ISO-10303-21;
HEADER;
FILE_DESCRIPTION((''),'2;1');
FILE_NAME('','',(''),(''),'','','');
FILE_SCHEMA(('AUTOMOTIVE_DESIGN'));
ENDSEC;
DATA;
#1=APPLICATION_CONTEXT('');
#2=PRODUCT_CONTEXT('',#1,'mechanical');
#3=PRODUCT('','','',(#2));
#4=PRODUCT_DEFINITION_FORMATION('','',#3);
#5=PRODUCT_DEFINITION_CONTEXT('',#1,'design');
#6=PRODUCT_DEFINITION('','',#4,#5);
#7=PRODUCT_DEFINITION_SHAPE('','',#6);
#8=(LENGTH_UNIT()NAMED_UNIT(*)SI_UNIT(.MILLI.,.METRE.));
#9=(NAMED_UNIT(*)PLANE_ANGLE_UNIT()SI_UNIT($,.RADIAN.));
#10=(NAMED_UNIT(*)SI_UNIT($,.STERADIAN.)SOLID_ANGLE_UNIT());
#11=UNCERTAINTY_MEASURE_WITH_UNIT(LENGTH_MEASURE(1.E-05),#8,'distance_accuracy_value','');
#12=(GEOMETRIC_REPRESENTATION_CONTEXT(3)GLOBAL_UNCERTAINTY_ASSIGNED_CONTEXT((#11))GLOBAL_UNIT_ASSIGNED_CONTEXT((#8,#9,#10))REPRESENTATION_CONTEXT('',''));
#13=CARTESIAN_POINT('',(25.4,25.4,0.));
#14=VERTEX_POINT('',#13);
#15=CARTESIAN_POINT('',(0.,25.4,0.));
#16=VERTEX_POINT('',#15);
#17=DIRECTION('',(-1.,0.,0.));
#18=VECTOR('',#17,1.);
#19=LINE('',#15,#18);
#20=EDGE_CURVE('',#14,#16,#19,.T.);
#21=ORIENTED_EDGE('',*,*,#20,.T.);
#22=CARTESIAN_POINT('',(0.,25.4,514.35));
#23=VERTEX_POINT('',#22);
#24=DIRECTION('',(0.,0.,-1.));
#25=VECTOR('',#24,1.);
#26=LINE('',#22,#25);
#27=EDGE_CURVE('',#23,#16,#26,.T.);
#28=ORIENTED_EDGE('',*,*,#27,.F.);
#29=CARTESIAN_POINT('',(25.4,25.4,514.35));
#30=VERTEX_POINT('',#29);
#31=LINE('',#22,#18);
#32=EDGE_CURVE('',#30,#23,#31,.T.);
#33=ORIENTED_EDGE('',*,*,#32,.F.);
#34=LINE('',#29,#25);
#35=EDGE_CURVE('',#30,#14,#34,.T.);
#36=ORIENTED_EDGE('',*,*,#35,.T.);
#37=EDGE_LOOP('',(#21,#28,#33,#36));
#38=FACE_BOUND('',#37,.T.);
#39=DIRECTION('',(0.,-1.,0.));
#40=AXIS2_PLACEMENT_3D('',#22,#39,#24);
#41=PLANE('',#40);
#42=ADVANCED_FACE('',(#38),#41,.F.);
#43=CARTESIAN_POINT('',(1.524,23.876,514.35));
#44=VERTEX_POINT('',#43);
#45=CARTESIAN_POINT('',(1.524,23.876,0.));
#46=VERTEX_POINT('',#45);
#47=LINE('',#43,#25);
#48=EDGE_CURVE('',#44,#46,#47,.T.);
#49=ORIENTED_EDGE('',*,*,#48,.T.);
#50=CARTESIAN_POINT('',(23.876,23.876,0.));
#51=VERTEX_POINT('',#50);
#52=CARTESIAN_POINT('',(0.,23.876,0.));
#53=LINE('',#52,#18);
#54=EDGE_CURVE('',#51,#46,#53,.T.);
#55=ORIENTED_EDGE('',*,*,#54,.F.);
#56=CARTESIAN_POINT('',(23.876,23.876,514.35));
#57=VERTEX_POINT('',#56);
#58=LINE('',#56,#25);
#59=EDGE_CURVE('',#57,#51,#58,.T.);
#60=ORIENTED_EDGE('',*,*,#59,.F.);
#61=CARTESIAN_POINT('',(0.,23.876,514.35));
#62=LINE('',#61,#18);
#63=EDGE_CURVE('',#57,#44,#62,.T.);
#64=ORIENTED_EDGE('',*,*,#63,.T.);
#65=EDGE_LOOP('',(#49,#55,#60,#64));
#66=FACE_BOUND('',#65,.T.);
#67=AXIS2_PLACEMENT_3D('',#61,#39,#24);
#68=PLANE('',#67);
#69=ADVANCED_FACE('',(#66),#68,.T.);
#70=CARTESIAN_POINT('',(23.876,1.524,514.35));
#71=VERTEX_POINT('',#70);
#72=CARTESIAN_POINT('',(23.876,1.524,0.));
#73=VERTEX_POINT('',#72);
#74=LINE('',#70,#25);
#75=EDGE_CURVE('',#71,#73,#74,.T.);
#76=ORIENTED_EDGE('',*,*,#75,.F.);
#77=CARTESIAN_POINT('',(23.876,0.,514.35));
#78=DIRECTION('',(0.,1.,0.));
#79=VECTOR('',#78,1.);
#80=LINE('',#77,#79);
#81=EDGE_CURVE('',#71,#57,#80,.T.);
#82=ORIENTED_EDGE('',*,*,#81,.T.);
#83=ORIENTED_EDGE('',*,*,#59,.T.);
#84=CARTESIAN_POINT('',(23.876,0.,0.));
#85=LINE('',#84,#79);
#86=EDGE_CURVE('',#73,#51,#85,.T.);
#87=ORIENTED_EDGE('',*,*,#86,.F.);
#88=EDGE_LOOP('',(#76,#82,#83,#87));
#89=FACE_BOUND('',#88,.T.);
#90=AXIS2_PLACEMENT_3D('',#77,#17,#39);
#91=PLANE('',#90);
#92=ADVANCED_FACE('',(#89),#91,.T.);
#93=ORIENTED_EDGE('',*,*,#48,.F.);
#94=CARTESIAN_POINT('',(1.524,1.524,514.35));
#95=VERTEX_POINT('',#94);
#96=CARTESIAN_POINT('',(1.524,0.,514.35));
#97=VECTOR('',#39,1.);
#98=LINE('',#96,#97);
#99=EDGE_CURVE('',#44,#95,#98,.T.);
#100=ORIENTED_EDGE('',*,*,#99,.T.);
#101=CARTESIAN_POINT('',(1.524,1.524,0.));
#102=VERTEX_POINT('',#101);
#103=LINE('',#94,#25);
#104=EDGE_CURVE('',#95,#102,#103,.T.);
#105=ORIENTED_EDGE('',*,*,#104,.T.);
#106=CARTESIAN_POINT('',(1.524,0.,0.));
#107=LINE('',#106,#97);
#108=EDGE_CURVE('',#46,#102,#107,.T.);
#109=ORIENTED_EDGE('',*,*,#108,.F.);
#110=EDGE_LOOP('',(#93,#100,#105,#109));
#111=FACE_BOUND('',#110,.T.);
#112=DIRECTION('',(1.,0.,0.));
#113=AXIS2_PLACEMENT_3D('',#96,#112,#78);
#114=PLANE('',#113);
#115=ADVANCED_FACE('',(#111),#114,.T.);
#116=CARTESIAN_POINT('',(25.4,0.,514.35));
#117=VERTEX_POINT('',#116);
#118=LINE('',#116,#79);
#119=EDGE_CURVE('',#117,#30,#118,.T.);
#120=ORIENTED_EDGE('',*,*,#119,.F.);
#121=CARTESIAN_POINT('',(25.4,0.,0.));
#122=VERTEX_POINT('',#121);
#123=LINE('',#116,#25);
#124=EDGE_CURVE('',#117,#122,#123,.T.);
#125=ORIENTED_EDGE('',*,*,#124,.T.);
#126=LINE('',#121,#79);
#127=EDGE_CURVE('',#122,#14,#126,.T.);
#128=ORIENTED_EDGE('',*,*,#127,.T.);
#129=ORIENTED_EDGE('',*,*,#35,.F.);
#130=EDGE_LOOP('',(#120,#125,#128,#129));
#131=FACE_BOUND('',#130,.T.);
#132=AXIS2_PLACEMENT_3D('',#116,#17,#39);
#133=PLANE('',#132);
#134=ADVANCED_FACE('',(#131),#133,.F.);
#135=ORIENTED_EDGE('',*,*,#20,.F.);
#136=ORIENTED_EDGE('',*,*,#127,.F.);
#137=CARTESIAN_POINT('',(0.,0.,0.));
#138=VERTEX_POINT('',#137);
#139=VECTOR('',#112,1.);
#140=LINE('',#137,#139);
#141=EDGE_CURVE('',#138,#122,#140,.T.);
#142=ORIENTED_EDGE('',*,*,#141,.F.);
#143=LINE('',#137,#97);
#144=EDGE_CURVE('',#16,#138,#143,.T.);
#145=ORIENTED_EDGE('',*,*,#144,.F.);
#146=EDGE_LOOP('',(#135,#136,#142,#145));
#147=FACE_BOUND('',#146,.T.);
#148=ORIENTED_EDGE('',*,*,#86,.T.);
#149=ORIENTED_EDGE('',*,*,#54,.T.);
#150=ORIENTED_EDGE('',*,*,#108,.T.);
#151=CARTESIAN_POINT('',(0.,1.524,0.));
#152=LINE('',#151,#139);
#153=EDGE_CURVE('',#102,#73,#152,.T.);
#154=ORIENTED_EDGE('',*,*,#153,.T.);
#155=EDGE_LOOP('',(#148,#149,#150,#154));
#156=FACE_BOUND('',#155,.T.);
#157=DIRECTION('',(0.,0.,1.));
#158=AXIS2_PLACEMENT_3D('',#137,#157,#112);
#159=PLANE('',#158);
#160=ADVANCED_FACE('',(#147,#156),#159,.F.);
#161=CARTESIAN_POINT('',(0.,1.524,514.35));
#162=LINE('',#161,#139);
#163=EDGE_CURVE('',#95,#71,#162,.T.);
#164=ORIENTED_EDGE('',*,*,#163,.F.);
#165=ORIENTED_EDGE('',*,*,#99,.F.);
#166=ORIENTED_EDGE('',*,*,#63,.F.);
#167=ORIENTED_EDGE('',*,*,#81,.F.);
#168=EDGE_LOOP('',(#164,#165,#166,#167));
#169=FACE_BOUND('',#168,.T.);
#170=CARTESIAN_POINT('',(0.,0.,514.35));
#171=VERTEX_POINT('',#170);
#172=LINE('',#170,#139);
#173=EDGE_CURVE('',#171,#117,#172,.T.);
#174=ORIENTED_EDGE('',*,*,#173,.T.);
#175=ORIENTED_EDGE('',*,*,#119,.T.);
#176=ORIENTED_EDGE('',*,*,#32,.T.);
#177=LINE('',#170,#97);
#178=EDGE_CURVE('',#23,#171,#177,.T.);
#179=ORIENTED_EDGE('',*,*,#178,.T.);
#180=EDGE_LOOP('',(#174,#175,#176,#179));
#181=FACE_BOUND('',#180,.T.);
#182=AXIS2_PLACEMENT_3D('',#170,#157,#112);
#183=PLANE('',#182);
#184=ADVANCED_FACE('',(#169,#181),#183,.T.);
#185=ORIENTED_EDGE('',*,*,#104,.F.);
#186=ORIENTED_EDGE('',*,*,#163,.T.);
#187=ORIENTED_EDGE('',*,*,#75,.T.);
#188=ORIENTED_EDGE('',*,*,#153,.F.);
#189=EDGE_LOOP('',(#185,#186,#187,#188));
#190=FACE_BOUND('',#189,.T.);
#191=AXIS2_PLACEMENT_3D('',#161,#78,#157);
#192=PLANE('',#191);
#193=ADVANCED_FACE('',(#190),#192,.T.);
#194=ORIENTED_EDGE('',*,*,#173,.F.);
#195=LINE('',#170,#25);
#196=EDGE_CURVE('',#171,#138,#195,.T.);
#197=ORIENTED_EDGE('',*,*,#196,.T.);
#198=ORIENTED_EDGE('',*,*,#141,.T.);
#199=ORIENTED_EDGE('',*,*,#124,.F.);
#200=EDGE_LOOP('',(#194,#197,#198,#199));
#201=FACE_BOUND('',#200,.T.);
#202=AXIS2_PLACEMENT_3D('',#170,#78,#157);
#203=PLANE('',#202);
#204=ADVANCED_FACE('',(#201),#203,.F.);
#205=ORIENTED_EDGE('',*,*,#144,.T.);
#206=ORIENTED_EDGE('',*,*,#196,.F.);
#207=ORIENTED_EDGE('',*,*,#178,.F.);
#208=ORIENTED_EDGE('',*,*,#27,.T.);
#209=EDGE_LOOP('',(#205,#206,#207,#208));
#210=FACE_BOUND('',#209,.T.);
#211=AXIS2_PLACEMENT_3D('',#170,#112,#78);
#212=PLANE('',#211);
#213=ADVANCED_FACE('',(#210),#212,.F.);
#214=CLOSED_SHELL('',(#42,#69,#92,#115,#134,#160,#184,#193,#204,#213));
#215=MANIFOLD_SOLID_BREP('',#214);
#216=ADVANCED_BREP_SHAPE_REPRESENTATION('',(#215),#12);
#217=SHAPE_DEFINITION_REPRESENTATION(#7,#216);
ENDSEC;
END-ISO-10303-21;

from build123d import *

# Parameters (mm, degrees)
SKETCH1_W           = 25.4
SKETCH1_H           = 25.4
SKETCH1_W_2         = 22.352
SKETCH1_H_2         = 22.352
EXTRUDE_THIN1_DEPTH = 514.35


with BuildPart() as part:
    # Sketch1 → Extrude-Thin1 (new body)
    with BuildSketch(Plane.XY):
        with Locations((12.7, 12.7)):
            Rectangle(SKETCH1_W, SKETCH1_H)
        with Locations((12.7, 12.7)):
            Rectangle(SKETCH1_W_2, SKETCH1_H_2, mode=Mode.SUBTRACT)
    extrude(amount=EXTRUDE_THIN1_DEPTH)


solid = part.part
